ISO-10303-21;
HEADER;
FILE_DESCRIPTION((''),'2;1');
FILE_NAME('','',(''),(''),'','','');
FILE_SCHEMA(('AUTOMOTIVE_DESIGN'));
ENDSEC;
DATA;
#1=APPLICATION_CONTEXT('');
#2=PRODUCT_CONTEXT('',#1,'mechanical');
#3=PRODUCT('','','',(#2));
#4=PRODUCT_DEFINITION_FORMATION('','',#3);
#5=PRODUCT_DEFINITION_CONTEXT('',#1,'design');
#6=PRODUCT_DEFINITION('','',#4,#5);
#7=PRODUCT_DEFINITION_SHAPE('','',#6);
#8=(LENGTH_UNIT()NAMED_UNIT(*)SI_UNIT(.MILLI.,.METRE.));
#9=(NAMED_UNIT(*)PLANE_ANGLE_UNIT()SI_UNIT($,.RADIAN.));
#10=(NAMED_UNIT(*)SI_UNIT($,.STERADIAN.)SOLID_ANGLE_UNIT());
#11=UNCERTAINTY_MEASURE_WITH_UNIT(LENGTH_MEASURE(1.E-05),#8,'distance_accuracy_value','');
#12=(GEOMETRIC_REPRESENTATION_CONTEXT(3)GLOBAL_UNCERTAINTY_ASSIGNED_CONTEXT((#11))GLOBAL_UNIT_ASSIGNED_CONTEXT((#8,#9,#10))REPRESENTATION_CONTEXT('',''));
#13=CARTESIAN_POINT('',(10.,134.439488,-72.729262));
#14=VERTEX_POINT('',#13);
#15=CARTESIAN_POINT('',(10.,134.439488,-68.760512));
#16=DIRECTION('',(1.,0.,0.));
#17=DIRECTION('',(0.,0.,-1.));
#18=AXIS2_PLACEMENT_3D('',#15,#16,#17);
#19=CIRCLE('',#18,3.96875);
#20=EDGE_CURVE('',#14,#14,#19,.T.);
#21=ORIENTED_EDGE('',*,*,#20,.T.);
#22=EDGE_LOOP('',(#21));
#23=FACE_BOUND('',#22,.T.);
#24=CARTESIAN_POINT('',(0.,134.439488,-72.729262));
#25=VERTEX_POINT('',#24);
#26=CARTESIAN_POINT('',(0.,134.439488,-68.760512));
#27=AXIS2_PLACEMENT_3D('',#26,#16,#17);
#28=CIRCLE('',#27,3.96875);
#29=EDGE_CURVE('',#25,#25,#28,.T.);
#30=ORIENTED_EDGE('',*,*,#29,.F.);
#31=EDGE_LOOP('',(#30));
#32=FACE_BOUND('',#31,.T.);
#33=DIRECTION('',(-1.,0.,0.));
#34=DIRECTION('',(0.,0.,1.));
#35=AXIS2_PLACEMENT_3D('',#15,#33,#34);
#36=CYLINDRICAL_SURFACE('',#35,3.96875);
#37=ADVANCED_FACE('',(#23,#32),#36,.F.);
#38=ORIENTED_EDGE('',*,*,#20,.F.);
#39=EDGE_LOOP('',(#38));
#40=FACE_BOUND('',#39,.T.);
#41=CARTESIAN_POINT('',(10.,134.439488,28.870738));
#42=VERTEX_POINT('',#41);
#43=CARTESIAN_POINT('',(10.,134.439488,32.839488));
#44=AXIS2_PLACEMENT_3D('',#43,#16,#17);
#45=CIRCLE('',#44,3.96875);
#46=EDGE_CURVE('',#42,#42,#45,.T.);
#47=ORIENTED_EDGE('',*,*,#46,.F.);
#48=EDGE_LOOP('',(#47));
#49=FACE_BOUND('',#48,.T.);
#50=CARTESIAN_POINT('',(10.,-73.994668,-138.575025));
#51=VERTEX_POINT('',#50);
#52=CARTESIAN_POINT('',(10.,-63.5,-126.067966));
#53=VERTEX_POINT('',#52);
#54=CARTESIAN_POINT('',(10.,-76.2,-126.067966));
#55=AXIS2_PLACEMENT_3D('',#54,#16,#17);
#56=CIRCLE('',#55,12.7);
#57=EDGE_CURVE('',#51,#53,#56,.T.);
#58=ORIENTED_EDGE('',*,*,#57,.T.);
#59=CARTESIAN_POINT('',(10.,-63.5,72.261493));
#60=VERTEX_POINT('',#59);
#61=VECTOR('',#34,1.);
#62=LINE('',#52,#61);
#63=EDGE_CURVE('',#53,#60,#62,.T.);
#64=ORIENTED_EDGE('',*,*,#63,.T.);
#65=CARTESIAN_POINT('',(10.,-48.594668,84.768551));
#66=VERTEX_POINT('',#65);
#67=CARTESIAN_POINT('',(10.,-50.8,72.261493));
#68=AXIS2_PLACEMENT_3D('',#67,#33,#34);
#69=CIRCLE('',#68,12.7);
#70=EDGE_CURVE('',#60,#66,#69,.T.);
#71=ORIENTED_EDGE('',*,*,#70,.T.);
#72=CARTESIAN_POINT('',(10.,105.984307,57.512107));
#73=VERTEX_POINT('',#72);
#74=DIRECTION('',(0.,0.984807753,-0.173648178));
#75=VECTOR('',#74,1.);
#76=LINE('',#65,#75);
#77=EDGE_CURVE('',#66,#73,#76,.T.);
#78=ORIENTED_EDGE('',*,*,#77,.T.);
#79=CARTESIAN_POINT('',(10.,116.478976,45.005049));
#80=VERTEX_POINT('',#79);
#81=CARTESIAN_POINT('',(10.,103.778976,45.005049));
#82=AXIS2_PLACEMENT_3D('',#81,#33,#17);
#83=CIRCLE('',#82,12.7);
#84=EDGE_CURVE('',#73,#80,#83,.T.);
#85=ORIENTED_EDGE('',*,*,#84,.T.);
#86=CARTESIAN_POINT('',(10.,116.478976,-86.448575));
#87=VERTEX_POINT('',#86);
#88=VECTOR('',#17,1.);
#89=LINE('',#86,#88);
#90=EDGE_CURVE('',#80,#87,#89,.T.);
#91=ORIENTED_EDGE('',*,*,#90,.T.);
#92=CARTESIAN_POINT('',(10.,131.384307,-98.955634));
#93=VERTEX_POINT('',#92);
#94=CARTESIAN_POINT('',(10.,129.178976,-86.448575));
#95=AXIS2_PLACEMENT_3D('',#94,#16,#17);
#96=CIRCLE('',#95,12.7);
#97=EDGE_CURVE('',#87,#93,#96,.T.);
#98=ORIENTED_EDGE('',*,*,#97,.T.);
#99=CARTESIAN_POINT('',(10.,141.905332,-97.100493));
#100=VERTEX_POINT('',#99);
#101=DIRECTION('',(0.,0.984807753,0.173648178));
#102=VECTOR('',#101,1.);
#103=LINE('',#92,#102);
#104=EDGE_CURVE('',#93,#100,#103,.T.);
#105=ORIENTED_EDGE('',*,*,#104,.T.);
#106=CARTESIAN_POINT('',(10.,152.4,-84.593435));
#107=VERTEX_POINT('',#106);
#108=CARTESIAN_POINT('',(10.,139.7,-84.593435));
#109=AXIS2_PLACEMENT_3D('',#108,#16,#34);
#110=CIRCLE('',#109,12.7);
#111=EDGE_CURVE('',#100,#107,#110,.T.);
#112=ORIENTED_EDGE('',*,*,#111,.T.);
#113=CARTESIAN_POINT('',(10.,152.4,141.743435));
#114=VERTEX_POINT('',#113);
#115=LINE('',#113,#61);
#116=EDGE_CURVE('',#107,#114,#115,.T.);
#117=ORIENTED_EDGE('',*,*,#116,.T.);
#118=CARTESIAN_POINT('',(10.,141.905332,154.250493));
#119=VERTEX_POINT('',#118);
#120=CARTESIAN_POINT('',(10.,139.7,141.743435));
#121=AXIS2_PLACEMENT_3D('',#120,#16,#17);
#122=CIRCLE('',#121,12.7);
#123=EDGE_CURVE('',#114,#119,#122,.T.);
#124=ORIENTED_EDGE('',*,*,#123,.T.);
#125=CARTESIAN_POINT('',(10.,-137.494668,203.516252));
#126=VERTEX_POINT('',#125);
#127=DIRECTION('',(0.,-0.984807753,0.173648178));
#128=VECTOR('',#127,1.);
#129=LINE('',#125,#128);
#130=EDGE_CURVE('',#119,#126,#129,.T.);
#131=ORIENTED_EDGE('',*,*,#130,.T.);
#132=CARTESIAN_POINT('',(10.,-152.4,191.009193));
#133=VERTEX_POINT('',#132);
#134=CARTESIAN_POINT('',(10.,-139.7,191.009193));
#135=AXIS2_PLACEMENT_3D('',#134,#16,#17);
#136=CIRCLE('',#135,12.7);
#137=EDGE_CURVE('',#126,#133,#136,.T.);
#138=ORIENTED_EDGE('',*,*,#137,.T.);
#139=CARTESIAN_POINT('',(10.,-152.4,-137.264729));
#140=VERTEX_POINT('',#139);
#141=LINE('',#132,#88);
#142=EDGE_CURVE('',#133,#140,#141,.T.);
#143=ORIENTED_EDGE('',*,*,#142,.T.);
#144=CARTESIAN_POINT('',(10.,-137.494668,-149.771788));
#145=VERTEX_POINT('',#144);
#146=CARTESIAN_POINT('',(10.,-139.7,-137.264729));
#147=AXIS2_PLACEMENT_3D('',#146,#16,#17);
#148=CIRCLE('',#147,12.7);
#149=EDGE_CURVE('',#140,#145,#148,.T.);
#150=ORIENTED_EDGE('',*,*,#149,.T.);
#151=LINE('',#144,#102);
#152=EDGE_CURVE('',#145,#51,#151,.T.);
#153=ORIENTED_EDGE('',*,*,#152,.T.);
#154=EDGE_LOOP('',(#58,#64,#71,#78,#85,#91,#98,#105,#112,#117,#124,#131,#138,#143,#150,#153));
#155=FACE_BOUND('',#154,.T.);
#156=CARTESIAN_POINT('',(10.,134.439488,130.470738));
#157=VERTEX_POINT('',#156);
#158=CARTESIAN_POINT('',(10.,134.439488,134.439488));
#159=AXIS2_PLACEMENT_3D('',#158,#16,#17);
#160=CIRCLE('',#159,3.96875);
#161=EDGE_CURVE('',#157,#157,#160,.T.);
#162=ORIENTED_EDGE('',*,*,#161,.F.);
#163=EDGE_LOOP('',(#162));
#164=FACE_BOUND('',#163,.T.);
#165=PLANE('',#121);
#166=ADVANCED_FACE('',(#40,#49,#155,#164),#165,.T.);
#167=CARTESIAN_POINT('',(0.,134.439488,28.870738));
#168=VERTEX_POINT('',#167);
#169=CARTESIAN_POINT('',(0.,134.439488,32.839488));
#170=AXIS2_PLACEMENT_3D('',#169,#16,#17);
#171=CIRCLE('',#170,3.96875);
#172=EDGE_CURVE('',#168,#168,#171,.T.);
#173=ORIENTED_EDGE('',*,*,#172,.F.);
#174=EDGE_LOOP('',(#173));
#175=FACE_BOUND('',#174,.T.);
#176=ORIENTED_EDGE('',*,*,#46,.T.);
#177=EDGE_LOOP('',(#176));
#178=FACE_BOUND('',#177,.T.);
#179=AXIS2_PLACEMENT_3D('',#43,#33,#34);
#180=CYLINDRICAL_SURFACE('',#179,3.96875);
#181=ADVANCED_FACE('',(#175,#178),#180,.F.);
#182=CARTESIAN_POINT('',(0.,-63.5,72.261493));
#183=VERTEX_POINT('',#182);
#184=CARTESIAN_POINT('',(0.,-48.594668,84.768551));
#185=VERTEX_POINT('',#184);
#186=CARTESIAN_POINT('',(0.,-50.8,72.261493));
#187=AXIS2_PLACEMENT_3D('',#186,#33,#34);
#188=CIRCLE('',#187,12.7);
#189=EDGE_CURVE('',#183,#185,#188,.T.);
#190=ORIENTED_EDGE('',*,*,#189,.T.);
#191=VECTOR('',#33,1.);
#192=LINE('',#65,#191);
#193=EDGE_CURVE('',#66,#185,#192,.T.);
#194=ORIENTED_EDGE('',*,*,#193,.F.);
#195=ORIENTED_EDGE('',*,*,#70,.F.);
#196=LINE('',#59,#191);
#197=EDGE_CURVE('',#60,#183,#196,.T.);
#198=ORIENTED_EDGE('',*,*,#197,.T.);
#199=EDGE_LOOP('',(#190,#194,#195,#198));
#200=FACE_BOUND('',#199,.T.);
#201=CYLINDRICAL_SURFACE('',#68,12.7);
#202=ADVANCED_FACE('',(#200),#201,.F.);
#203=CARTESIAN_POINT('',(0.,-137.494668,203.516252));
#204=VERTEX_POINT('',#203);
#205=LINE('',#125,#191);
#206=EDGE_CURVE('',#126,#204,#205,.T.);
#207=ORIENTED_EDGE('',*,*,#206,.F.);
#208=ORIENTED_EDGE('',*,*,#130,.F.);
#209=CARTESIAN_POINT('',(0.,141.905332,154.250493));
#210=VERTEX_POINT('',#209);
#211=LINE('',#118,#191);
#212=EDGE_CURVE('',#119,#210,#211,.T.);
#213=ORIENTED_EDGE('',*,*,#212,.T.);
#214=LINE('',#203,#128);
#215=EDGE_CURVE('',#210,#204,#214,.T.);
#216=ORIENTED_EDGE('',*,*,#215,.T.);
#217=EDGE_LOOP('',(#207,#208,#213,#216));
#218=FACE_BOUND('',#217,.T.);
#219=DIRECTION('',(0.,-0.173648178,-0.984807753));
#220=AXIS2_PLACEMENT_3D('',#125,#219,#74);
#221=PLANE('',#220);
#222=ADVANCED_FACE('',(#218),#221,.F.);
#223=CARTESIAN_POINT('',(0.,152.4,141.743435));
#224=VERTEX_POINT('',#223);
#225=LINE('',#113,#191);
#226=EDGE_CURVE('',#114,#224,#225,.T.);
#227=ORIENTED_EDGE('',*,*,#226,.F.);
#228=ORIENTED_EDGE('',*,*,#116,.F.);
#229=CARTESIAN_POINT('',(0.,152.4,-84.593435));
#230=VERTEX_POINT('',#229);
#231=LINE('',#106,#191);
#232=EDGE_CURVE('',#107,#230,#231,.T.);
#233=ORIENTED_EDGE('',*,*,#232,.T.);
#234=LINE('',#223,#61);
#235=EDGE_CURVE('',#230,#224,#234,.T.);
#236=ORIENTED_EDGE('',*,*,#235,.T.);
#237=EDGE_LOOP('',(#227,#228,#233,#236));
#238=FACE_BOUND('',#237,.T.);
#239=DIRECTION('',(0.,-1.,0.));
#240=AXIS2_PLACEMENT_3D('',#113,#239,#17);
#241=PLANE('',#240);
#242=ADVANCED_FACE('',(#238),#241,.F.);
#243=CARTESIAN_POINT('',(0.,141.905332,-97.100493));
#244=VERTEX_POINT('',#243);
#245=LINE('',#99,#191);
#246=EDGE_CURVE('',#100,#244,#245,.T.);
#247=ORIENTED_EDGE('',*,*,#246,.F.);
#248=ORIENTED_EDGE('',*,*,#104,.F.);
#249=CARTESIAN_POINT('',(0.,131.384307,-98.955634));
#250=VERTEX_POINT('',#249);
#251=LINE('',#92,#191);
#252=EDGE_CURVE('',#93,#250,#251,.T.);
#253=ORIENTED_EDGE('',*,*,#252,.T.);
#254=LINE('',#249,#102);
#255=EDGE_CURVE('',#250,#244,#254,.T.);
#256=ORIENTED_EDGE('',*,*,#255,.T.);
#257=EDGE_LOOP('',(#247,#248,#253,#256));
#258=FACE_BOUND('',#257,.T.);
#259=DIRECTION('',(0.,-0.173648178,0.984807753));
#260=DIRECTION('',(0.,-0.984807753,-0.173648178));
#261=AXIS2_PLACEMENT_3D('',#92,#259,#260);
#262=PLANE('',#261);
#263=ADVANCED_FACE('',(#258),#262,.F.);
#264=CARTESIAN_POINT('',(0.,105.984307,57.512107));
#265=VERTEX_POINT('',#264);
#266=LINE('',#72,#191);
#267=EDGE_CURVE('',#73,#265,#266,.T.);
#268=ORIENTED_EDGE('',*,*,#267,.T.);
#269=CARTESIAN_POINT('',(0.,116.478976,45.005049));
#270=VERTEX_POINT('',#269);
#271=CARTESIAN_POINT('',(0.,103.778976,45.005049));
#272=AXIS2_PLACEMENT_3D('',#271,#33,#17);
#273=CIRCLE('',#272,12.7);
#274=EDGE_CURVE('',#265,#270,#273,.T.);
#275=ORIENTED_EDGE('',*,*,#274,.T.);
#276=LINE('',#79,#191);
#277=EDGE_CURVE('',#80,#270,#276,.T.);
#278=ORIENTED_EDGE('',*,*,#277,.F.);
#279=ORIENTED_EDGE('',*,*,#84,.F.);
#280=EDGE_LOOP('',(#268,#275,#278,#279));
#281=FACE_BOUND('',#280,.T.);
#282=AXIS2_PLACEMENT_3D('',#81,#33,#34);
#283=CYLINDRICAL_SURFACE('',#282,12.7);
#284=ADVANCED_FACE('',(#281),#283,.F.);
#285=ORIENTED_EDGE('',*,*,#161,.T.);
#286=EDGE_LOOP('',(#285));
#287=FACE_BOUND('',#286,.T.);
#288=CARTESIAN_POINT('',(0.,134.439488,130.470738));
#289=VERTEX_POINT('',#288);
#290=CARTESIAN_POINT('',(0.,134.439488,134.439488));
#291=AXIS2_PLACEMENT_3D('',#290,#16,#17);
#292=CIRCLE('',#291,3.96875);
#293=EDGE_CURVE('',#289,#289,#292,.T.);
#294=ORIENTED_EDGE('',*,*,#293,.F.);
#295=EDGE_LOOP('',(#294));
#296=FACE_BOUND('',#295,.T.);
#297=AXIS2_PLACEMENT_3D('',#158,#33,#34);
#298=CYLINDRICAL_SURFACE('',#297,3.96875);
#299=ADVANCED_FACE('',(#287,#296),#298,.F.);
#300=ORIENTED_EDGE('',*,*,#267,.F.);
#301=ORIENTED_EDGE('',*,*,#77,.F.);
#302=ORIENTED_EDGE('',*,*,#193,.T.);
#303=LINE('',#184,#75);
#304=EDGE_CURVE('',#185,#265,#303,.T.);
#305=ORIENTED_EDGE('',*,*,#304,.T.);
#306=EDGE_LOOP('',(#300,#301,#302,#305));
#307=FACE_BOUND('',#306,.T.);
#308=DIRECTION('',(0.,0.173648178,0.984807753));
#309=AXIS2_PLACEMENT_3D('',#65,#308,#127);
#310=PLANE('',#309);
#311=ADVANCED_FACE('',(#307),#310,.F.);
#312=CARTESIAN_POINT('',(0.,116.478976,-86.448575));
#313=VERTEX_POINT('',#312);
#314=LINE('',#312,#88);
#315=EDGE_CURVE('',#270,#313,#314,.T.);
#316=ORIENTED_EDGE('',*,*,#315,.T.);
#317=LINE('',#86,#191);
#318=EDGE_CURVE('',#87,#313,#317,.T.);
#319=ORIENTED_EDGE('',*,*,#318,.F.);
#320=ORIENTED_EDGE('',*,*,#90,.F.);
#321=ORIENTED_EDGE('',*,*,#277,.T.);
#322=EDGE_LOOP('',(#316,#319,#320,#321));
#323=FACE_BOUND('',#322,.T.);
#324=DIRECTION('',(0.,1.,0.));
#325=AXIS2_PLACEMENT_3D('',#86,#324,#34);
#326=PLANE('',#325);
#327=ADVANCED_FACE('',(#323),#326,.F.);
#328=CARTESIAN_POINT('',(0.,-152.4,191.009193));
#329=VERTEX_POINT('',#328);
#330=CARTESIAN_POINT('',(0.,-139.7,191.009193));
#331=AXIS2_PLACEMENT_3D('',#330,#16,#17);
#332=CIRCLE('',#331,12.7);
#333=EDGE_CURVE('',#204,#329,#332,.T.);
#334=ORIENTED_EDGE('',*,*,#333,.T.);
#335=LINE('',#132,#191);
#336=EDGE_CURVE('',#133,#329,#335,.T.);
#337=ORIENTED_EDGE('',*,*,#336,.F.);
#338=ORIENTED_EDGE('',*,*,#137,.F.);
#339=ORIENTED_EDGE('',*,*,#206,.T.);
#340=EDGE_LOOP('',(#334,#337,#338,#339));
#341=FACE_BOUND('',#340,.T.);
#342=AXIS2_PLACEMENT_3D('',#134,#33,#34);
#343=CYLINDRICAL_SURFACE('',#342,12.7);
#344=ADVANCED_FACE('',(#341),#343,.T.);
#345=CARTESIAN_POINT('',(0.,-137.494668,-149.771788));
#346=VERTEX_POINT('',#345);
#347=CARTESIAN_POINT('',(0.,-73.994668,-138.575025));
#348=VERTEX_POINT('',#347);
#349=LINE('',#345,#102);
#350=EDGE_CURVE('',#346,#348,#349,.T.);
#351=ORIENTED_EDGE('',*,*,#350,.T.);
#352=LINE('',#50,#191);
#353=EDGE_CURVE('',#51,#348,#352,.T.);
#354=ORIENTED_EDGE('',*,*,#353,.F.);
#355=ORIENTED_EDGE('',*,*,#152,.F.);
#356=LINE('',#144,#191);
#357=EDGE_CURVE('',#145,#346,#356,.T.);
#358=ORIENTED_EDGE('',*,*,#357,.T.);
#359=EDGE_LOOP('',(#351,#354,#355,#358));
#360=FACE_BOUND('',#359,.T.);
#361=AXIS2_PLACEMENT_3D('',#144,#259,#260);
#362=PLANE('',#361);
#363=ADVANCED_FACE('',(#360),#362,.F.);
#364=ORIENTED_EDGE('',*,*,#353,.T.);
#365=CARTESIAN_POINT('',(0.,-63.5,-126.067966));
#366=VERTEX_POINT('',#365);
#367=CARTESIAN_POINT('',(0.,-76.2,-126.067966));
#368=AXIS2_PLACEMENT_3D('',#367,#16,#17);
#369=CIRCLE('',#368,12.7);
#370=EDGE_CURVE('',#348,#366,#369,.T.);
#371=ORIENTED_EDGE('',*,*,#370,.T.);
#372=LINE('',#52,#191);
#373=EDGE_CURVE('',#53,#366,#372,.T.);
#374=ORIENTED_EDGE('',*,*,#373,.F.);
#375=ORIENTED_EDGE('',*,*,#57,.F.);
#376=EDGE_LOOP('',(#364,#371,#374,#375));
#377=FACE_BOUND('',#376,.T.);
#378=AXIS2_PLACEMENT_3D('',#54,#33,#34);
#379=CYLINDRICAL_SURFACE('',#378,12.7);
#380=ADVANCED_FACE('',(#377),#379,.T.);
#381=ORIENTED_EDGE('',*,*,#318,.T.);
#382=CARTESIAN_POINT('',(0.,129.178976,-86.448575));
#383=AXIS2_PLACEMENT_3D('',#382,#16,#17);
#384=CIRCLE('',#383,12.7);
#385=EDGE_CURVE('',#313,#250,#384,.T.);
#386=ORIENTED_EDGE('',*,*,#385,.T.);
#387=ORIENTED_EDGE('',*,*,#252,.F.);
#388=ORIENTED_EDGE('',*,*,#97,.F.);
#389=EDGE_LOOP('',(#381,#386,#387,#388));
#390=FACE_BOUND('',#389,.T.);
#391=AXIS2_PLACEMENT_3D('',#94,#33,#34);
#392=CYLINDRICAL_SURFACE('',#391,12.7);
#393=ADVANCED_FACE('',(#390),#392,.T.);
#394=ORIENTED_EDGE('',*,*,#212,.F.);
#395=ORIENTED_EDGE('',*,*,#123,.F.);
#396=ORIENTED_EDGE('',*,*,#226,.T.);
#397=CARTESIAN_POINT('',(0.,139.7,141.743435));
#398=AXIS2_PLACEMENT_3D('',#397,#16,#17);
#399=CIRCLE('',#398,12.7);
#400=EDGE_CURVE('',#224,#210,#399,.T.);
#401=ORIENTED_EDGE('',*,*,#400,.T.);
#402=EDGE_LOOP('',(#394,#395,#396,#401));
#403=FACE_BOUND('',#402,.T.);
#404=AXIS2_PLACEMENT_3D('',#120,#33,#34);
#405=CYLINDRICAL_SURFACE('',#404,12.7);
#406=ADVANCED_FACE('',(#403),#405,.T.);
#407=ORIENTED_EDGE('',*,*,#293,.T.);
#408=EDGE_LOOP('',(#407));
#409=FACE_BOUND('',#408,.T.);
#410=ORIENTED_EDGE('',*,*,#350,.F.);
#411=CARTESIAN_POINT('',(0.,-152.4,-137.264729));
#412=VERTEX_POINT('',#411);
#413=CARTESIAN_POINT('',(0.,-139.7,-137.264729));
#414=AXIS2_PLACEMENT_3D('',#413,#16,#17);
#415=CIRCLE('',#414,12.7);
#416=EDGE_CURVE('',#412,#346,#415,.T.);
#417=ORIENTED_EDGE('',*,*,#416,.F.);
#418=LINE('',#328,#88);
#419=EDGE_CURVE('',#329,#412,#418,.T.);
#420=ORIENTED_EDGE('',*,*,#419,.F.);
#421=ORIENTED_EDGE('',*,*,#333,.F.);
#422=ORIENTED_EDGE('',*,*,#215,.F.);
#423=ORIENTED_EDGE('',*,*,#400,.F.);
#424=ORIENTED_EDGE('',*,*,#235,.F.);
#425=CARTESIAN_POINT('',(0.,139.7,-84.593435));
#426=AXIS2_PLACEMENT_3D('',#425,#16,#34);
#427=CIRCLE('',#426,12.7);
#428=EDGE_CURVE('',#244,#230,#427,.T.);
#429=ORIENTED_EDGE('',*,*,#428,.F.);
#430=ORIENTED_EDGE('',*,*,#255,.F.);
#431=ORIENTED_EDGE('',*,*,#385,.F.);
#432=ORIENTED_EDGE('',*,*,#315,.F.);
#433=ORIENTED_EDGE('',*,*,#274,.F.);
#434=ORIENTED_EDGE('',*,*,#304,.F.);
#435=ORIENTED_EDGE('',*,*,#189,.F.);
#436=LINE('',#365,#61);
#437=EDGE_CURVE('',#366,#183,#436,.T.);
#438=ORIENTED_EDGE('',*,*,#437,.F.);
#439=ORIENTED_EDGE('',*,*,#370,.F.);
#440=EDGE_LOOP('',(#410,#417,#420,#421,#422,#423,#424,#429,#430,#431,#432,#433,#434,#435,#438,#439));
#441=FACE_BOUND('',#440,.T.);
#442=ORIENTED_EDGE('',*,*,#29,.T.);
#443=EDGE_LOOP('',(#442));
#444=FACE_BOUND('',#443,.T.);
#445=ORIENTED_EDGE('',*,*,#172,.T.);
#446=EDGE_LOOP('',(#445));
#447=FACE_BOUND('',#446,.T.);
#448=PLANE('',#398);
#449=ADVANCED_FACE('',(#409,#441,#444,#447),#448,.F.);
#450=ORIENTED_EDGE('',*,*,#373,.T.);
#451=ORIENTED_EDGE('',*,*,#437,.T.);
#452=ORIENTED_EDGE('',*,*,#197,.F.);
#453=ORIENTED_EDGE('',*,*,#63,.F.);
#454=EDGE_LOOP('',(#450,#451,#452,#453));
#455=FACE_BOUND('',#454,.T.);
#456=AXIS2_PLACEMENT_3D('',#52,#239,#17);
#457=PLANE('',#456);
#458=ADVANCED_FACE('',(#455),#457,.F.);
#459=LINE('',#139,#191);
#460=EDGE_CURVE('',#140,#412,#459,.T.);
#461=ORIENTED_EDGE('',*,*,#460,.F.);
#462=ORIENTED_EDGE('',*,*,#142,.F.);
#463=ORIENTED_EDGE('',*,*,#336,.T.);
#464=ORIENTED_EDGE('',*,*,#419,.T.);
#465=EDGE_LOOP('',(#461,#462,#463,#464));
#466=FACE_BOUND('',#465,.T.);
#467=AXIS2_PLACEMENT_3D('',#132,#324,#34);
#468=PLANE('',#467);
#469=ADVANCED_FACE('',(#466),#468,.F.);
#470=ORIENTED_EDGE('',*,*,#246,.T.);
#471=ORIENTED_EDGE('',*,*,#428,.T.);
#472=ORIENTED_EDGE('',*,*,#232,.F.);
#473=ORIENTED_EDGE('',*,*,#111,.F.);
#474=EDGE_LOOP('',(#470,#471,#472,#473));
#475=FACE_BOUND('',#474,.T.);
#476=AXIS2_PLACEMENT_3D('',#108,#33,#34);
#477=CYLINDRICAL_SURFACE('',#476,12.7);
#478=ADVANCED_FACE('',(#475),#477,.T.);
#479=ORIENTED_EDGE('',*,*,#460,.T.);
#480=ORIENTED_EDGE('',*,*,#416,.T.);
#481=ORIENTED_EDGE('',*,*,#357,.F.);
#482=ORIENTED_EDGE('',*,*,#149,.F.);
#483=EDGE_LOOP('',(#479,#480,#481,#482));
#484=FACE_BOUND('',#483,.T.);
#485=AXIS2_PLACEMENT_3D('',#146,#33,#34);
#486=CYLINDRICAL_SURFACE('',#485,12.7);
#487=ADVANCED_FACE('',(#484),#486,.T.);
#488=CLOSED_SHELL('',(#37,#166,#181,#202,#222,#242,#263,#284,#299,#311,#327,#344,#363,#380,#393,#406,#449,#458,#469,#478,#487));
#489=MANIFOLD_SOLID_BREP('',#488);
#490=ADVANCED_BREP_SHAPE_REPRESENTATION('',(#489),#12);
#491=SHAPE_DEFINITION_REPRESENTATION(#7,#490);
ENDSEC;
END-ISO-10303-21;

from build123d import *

# Parameters (mm, degrees)
SKETCH1_R           = 3.96875
BOSS_EXTRUDE1_DEPTH = 10


with BuildPart() as part:
    # Sketch1 → Boss-Extrude1 (new body)
    with BuildSketch(Plane(origin=(0, 0, 0), x_dir=(0, 0, -1), z_dir=(1, 0, 0))):
        with BuildLine():
            Line((98.955633629, 131.384307372), (97.100493147, 141.905331856))
            ThreePointArc((97.100493147, 141.905331856), (92.756837327, 149.428764428), (84.593434684, 152.4))
            Line((84.593434684, 152.4), (-141.743434684, 152.4))
            ThreePointArc((-141.743434684, 152.4), (-149.906837327, 149.428764428), (-154.250493147, 141.905331856))
            Line((-154.250493147, 141.905331856), (-203.516251557, -137.494668144))
            ThreePointArc((-203.516251557, -137.494668144), (-200.737957522, -147.863402643), (-191.009193094, -152.4))
            Line((-191.009193094, -152.4), (137.264729374, -152.4))
            ThreePointArc((137.264729374, -152.4), (146.993493802, -147.863402643), (149.771787837, -137.494668144))
            Line((149.771787837, -137.494668144), (138.575024562, -73.994668144))
            ThreePointArc((138.575024562, -73.994668144), (134.231368742, -66.471235572), (126.067966099, -63.5))
            Line((126.067966099, -63.5), (-72.261492649, -63.5))
            ThreePointArc((-72.261492649, -63.5), (-81.990257077, -58.963402643), (-84.768551112, -48.594668144))
            Line((-84.768551112, -48.594668144), (-57.512107079, 105.984307372))
            ThreePointArc((-57.512107079, 105.984307372), (-53.168451258, 113.507739943), (-45.005048615, 116.478975516))
            Line((-45.005048615, 116.478975516), (86.448575165, 116.478975516))
            ThreePointArc((86.448575165, 116.478975516), (96.177339593, 121.015572873), (98.955633629, 131.384307372))
        make_face()
        with Locations((-134.439487758, 134.439487758)):
            Circle(SKETCH1_R, mode=Mode.SUBTRACT)
        with Locations((-32.839487758, 134.439487758)):
            Circle(SKETCH1_R, mode=Mode.SUBTRACT)
        with Locations((68.760512242, 134.439487758)):
            Circle(SKETCH1_R, mode=Mode.SUBTRACT)
    extrude(amount=BOSS_EXTRUDE1_DEPTH)


solid = part.part
